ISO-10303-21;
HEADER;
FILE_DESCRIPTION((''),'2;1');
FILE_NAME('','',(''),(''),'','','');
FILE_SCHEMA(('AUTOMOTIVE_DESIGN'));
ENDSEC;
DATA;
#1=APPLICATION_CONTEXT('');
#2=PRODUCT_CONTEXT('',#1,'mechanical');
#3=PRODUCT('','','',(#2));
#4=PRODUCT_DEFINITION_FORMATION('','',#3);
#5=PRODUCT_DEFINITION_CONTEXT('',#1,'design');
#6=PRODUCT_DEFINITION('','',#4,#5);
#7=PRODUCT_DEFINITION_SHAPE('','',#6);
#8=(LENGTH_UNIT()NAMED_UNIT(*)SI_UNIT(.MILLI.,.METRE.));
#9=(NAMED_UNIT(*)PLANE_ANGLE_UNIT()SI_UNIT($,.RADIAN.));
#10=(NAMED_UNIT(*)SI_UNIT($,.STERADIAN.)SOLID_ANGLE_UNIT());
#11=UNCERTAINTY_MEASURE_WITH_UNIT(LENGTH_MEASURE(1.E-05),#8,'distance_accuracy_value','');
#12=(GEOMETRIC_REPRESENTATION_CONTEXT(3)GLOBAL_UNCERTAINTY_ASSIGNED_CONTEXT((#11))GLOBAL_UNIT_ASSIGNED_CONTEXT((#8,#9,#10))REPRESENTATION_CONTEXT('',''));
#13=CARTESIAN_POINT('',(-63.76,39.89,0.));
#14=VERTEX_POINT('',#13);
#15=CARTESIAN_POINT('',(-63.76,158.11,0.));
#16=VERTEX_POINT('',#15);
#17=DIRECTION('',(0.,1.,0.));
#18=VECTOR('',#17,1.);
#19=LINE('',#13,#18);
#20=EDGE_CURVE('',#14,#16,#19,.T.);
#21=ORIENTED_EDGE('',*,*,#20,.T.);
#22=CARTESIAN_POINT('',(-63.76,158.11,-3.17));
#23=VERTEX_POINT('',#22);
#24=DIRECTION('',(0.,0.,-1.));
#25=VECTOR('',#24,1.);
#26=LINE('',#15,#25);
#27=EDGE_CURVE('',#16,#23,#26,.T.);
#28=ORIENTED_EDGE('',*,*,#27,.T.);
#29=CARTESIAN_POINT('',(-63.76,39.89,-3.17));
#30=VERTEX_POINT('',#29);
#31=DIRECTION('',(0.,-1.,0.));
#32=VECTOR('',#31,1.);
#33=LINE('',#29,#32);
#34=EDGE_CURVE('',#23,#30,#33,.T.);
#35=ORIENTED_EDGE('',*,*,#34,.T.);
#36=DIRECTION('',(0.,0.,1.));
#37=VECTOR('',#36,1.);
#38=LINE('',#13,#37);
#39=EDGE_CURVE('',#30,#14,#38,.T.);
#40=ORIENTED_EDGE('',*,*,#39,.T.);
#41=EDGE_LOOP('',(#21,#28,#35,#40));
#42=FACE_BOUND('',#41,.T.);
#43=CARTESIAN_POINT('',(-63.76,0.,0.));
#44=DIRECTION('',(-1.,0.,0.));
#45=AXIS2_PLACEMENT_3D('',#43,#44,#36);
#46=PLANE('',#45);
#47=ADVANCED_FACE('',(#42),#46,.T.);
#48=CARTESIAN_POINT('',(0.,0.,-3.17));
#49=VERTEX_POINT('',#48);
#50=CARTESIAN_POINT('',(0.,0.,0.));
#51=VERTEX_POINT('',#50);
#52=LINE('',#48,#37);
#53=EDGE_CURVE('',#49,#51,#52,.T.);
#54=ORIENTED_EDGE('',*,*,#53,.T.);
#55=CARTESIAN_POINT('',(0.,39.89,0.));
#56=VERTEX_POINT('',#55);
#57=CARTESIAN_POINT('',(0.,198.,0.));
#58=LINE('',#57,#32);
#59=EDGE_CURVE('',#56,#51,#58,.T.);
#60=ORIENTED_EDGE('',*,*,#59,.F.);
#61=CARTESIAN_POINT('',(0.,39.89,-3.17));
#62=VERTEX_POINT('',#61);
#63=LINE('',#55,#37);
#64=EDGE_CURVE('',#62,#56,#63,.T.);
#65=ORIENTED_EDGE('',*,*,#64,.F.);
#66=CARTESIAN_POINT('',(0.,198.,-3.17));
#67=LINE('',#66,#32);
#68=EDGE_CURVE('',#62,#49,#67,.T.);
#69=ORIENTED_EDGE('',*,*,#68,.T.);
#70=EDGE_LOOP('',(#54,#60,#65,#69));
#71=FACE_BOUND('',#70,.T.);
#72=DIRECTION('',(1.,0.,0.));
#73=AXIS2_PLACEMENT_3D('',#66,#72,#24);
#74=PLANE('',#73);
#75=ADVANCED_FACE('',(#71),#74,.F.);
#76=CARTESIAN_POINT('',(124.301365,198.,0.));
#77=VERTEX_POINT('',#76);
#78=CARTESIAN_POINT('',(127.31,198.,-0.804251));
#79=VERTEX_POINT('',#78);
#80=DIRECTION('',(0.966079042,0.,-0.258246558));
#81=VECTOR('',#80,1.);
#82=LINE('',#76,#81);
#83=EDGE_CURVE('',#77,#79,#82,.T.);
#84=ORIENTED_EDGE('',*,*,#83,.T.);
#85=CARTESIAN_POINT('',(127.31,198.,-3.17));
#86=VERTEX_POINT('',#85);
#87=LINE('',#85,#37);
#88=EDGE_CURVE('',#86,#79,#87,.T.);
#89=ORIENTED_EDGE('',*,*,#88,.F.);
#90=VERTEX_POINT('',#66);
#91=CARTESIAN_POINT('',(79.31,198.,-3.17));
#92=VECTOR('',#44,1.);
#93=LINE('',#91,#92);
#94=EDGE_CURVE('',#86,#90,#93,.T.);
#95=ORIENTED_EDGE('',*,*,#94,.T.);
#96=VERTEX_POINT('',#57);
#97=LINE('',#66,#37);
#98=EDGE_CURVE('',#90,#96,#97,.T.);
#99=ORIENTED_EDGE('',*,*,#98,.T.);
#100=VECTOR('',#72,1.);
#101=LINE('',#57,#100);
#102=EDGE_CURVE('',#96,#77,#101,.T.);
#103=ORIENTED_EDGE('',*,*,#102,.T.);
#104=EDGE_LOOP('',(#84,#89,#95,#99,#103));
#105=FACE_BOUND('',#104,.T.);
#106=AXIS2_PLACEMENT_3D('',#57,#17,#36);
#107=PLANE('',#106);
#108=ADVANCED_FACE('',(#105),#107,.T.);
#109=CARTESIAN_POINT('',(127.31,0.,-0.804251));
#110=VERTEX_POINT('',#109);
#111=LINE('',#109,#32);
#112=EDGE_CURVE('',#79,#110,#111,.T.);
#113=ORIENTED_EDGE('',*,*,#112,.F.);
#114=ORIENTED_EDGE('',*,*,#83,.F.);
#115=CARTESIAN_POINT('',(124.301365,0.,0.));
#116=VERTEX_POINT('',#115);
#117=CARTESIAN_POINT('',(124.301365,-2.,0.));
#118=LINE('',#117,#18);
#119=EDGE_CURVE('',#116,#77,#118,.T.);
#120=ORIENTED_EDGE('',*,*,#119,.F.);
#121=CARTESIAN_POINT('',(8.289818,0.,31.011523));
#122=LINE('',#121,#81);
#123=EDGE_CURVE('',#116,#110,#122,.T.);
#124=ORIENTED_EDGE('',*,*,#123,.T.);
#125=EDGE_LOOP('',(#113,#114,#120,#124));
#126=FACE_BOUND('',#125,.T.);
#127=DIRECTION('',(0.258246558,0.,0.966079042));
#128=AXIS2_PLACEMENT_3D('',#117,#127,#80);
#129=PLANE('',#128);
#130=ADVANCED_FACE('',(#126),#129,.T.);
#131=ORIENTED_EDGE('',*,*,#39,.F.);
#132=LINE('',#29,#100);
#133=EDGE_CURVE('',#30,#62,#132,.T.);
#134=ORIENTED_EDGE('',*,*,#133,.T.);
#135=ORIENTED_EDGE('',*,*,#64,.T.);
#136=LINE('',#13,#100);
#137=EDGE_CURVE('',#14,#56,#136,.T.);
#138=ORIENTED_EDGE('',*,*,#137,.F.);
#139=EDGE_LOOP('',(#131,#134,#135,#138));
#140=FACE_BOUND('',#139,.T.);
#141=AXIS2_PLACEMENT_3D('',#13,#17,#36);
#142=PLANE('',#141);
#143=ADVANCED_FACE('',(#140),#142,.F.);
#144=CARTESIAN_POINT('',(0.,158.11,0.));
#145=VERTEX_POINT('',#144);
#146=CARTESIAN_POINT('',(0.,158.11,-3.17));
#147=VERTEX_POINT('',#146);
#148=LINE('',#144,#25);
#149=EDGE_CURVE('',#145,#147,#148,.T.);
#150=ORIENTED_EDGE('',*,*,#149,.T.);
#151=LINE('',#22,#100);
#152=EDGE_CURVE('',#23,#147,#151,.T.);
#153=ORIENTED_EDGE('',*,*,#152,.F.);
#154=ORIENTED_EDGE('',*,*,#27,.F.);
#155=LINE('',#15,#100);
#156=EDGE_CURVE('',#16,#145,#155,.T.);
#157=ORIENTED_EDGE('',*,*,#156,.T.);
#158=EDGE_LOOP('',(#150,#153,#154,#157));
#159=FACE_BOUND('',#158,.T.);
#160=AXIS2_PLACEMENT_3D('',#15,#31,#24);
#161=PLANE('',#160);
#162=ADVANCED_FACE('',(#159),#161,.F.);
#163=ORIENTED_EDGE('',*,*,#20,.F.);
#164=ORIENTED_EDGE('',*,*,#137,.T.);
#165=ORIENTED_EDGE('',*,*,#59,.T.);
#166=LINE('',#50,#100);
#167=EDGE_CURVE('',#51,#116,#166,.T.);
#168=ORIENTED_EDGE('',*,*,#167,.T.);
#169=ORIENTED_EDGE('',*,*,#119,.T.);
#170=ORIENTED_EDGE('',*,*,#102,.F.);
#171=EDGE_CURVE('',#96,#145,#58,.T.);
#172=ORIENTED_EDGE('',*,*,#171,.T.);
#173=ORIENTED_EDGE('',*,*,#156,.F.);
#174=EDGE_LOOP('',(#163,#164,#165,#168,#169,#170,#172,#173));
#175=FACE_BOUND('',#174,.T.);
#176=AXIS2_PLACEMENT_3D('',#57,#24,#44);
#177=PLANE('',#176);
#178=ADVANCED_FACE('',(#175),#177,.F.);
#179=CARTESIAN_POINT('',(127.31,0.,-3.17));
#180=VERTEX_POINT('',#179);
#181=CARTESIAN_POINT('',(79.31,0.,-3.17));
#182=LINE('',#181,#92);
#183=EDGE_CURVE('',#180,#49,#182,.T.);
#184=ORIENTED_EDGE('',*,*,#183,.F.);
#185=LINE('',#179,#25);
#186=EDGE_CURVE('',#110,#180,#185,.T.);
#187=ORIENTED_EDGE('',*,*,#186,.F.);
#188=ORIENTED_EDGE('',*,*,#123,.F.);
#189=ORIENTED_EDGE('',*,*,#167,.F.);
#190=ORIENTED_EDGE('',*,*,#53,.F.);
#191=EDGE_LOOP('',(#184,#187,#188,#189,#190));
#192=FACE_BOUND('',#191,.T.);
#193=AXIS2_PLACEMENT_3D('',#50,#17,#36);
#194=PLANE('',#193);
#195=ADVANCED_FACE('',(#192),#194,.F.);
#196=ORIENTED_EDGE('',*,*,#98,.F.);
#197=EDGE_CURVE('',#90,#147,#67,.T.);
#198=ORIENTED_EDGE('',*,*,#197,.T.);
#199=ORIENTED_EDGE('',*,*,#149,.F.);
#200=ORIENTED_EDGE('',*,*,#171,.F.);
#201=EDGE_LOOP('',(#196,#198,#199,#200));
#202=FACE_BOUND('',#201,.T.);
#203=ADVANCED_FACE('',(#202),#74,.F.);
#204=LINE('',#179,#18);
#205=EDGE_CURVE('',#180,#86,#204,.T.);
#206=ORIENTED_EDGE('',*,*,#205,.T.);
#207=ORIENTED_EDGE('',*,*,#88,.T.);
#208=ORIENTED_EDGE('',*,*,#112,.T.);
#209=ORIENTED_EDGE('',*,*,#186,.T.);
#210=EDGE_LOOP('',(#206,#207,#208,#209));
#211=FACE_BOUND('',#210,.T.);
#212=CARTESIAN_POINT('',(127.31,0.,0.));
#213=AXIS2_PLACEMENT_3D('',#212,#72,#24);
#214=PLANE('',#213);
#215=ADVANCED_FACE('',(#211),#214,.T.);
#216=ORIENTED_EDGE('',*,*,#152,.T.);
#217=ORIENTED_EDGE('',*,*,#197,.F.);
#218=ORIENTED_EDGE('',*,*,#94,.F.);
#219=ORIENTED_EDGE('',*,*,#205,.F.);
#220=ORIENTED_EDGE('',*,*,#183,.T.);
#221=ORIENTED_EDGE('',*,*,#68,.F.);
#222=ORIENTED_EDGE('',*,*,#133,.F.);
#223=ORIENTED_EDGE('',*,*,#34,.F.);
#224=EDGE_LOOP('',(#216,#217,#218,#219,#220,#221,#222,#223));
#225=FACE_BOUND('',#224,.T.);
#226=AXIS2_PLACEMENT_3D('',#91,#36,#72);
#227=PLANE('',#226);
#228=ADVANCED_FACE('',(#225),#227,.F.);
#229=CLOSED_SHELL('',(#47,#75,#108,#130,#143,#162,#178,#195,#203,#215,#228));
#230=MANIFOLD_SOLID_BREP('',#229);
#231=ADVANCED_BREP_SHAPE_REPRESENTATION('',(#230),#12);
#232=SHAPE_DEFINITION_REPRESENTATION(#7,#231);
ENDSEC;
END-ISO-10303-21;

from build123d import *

# Parameters (mm, degrees)
SKETCH1_W           = 79.31
SKETCH1_H           = 3.17
BOSS_EXTRUDE1_DEPTH = 198
SKETCH2_W           = 3.17
SKETCH2_H           = 118.22
BOSS_EXTRUDE2_DEPTH = 63.76
SKETCH3_W           = 3.17
SKETCH3_H           = 198
BOSS_EXTRUDE3_DEPTH = 48
CUT_EXTRUDE1_DEPTH  = 200


with BuildPart() as part:
    # Sketch1 → Boss-Extrude1 (new body)
    with BuildSketch(Plane(origin=(0, 0, 0), x_dir=(1, 0, 0), z_dir=(0, 1, 0))):
        with Locations((39.655, 1.585)):
            Rectangle(SKETCH1_W, SKETCH1_H)
    extrude(amount=BOSS_EXTRUDE1_DEPTH)

    # Sketch2 → Boss-Extrude2 (add)
    with BuildSketch(Plane.ZY):
        with Locations((-1.585, 99)):
            Rectangle(SKETCH2_W, SKETCH2_H)
    extrude(amount=BOSS_EXTRUDE2_DEPTH)

    # Sketch3 → Boss-Extrude3 (add)
    with BuildSketch(Plane(origin=(79.31, 0, 0), x_dir=(0, 0, -1), z_dir=(1, 0, 0))):
        with Locations((1.585, 99)):
            Rectangle(SKETCH3_W, SKETCH3_H)
    extrude(amount=BOSS_EXTRUDE3_DEPTH)

    # Sketch5 → Cut-Extrude1 (cut)
    with BuildSketch(Plane(origin=(0, 198, 0), x_dir=(1, 0, 0), z_dir=(0, 1, 0))):
        Polygon((124.301364544, 0), (127.332496868, 0.810264437), (127.332496868, 0), align=None)
    extrude(amount=-CUT_EXTRUDE1_DEPTH, mode=Mode.SUBTRACT)


solid = part.part
